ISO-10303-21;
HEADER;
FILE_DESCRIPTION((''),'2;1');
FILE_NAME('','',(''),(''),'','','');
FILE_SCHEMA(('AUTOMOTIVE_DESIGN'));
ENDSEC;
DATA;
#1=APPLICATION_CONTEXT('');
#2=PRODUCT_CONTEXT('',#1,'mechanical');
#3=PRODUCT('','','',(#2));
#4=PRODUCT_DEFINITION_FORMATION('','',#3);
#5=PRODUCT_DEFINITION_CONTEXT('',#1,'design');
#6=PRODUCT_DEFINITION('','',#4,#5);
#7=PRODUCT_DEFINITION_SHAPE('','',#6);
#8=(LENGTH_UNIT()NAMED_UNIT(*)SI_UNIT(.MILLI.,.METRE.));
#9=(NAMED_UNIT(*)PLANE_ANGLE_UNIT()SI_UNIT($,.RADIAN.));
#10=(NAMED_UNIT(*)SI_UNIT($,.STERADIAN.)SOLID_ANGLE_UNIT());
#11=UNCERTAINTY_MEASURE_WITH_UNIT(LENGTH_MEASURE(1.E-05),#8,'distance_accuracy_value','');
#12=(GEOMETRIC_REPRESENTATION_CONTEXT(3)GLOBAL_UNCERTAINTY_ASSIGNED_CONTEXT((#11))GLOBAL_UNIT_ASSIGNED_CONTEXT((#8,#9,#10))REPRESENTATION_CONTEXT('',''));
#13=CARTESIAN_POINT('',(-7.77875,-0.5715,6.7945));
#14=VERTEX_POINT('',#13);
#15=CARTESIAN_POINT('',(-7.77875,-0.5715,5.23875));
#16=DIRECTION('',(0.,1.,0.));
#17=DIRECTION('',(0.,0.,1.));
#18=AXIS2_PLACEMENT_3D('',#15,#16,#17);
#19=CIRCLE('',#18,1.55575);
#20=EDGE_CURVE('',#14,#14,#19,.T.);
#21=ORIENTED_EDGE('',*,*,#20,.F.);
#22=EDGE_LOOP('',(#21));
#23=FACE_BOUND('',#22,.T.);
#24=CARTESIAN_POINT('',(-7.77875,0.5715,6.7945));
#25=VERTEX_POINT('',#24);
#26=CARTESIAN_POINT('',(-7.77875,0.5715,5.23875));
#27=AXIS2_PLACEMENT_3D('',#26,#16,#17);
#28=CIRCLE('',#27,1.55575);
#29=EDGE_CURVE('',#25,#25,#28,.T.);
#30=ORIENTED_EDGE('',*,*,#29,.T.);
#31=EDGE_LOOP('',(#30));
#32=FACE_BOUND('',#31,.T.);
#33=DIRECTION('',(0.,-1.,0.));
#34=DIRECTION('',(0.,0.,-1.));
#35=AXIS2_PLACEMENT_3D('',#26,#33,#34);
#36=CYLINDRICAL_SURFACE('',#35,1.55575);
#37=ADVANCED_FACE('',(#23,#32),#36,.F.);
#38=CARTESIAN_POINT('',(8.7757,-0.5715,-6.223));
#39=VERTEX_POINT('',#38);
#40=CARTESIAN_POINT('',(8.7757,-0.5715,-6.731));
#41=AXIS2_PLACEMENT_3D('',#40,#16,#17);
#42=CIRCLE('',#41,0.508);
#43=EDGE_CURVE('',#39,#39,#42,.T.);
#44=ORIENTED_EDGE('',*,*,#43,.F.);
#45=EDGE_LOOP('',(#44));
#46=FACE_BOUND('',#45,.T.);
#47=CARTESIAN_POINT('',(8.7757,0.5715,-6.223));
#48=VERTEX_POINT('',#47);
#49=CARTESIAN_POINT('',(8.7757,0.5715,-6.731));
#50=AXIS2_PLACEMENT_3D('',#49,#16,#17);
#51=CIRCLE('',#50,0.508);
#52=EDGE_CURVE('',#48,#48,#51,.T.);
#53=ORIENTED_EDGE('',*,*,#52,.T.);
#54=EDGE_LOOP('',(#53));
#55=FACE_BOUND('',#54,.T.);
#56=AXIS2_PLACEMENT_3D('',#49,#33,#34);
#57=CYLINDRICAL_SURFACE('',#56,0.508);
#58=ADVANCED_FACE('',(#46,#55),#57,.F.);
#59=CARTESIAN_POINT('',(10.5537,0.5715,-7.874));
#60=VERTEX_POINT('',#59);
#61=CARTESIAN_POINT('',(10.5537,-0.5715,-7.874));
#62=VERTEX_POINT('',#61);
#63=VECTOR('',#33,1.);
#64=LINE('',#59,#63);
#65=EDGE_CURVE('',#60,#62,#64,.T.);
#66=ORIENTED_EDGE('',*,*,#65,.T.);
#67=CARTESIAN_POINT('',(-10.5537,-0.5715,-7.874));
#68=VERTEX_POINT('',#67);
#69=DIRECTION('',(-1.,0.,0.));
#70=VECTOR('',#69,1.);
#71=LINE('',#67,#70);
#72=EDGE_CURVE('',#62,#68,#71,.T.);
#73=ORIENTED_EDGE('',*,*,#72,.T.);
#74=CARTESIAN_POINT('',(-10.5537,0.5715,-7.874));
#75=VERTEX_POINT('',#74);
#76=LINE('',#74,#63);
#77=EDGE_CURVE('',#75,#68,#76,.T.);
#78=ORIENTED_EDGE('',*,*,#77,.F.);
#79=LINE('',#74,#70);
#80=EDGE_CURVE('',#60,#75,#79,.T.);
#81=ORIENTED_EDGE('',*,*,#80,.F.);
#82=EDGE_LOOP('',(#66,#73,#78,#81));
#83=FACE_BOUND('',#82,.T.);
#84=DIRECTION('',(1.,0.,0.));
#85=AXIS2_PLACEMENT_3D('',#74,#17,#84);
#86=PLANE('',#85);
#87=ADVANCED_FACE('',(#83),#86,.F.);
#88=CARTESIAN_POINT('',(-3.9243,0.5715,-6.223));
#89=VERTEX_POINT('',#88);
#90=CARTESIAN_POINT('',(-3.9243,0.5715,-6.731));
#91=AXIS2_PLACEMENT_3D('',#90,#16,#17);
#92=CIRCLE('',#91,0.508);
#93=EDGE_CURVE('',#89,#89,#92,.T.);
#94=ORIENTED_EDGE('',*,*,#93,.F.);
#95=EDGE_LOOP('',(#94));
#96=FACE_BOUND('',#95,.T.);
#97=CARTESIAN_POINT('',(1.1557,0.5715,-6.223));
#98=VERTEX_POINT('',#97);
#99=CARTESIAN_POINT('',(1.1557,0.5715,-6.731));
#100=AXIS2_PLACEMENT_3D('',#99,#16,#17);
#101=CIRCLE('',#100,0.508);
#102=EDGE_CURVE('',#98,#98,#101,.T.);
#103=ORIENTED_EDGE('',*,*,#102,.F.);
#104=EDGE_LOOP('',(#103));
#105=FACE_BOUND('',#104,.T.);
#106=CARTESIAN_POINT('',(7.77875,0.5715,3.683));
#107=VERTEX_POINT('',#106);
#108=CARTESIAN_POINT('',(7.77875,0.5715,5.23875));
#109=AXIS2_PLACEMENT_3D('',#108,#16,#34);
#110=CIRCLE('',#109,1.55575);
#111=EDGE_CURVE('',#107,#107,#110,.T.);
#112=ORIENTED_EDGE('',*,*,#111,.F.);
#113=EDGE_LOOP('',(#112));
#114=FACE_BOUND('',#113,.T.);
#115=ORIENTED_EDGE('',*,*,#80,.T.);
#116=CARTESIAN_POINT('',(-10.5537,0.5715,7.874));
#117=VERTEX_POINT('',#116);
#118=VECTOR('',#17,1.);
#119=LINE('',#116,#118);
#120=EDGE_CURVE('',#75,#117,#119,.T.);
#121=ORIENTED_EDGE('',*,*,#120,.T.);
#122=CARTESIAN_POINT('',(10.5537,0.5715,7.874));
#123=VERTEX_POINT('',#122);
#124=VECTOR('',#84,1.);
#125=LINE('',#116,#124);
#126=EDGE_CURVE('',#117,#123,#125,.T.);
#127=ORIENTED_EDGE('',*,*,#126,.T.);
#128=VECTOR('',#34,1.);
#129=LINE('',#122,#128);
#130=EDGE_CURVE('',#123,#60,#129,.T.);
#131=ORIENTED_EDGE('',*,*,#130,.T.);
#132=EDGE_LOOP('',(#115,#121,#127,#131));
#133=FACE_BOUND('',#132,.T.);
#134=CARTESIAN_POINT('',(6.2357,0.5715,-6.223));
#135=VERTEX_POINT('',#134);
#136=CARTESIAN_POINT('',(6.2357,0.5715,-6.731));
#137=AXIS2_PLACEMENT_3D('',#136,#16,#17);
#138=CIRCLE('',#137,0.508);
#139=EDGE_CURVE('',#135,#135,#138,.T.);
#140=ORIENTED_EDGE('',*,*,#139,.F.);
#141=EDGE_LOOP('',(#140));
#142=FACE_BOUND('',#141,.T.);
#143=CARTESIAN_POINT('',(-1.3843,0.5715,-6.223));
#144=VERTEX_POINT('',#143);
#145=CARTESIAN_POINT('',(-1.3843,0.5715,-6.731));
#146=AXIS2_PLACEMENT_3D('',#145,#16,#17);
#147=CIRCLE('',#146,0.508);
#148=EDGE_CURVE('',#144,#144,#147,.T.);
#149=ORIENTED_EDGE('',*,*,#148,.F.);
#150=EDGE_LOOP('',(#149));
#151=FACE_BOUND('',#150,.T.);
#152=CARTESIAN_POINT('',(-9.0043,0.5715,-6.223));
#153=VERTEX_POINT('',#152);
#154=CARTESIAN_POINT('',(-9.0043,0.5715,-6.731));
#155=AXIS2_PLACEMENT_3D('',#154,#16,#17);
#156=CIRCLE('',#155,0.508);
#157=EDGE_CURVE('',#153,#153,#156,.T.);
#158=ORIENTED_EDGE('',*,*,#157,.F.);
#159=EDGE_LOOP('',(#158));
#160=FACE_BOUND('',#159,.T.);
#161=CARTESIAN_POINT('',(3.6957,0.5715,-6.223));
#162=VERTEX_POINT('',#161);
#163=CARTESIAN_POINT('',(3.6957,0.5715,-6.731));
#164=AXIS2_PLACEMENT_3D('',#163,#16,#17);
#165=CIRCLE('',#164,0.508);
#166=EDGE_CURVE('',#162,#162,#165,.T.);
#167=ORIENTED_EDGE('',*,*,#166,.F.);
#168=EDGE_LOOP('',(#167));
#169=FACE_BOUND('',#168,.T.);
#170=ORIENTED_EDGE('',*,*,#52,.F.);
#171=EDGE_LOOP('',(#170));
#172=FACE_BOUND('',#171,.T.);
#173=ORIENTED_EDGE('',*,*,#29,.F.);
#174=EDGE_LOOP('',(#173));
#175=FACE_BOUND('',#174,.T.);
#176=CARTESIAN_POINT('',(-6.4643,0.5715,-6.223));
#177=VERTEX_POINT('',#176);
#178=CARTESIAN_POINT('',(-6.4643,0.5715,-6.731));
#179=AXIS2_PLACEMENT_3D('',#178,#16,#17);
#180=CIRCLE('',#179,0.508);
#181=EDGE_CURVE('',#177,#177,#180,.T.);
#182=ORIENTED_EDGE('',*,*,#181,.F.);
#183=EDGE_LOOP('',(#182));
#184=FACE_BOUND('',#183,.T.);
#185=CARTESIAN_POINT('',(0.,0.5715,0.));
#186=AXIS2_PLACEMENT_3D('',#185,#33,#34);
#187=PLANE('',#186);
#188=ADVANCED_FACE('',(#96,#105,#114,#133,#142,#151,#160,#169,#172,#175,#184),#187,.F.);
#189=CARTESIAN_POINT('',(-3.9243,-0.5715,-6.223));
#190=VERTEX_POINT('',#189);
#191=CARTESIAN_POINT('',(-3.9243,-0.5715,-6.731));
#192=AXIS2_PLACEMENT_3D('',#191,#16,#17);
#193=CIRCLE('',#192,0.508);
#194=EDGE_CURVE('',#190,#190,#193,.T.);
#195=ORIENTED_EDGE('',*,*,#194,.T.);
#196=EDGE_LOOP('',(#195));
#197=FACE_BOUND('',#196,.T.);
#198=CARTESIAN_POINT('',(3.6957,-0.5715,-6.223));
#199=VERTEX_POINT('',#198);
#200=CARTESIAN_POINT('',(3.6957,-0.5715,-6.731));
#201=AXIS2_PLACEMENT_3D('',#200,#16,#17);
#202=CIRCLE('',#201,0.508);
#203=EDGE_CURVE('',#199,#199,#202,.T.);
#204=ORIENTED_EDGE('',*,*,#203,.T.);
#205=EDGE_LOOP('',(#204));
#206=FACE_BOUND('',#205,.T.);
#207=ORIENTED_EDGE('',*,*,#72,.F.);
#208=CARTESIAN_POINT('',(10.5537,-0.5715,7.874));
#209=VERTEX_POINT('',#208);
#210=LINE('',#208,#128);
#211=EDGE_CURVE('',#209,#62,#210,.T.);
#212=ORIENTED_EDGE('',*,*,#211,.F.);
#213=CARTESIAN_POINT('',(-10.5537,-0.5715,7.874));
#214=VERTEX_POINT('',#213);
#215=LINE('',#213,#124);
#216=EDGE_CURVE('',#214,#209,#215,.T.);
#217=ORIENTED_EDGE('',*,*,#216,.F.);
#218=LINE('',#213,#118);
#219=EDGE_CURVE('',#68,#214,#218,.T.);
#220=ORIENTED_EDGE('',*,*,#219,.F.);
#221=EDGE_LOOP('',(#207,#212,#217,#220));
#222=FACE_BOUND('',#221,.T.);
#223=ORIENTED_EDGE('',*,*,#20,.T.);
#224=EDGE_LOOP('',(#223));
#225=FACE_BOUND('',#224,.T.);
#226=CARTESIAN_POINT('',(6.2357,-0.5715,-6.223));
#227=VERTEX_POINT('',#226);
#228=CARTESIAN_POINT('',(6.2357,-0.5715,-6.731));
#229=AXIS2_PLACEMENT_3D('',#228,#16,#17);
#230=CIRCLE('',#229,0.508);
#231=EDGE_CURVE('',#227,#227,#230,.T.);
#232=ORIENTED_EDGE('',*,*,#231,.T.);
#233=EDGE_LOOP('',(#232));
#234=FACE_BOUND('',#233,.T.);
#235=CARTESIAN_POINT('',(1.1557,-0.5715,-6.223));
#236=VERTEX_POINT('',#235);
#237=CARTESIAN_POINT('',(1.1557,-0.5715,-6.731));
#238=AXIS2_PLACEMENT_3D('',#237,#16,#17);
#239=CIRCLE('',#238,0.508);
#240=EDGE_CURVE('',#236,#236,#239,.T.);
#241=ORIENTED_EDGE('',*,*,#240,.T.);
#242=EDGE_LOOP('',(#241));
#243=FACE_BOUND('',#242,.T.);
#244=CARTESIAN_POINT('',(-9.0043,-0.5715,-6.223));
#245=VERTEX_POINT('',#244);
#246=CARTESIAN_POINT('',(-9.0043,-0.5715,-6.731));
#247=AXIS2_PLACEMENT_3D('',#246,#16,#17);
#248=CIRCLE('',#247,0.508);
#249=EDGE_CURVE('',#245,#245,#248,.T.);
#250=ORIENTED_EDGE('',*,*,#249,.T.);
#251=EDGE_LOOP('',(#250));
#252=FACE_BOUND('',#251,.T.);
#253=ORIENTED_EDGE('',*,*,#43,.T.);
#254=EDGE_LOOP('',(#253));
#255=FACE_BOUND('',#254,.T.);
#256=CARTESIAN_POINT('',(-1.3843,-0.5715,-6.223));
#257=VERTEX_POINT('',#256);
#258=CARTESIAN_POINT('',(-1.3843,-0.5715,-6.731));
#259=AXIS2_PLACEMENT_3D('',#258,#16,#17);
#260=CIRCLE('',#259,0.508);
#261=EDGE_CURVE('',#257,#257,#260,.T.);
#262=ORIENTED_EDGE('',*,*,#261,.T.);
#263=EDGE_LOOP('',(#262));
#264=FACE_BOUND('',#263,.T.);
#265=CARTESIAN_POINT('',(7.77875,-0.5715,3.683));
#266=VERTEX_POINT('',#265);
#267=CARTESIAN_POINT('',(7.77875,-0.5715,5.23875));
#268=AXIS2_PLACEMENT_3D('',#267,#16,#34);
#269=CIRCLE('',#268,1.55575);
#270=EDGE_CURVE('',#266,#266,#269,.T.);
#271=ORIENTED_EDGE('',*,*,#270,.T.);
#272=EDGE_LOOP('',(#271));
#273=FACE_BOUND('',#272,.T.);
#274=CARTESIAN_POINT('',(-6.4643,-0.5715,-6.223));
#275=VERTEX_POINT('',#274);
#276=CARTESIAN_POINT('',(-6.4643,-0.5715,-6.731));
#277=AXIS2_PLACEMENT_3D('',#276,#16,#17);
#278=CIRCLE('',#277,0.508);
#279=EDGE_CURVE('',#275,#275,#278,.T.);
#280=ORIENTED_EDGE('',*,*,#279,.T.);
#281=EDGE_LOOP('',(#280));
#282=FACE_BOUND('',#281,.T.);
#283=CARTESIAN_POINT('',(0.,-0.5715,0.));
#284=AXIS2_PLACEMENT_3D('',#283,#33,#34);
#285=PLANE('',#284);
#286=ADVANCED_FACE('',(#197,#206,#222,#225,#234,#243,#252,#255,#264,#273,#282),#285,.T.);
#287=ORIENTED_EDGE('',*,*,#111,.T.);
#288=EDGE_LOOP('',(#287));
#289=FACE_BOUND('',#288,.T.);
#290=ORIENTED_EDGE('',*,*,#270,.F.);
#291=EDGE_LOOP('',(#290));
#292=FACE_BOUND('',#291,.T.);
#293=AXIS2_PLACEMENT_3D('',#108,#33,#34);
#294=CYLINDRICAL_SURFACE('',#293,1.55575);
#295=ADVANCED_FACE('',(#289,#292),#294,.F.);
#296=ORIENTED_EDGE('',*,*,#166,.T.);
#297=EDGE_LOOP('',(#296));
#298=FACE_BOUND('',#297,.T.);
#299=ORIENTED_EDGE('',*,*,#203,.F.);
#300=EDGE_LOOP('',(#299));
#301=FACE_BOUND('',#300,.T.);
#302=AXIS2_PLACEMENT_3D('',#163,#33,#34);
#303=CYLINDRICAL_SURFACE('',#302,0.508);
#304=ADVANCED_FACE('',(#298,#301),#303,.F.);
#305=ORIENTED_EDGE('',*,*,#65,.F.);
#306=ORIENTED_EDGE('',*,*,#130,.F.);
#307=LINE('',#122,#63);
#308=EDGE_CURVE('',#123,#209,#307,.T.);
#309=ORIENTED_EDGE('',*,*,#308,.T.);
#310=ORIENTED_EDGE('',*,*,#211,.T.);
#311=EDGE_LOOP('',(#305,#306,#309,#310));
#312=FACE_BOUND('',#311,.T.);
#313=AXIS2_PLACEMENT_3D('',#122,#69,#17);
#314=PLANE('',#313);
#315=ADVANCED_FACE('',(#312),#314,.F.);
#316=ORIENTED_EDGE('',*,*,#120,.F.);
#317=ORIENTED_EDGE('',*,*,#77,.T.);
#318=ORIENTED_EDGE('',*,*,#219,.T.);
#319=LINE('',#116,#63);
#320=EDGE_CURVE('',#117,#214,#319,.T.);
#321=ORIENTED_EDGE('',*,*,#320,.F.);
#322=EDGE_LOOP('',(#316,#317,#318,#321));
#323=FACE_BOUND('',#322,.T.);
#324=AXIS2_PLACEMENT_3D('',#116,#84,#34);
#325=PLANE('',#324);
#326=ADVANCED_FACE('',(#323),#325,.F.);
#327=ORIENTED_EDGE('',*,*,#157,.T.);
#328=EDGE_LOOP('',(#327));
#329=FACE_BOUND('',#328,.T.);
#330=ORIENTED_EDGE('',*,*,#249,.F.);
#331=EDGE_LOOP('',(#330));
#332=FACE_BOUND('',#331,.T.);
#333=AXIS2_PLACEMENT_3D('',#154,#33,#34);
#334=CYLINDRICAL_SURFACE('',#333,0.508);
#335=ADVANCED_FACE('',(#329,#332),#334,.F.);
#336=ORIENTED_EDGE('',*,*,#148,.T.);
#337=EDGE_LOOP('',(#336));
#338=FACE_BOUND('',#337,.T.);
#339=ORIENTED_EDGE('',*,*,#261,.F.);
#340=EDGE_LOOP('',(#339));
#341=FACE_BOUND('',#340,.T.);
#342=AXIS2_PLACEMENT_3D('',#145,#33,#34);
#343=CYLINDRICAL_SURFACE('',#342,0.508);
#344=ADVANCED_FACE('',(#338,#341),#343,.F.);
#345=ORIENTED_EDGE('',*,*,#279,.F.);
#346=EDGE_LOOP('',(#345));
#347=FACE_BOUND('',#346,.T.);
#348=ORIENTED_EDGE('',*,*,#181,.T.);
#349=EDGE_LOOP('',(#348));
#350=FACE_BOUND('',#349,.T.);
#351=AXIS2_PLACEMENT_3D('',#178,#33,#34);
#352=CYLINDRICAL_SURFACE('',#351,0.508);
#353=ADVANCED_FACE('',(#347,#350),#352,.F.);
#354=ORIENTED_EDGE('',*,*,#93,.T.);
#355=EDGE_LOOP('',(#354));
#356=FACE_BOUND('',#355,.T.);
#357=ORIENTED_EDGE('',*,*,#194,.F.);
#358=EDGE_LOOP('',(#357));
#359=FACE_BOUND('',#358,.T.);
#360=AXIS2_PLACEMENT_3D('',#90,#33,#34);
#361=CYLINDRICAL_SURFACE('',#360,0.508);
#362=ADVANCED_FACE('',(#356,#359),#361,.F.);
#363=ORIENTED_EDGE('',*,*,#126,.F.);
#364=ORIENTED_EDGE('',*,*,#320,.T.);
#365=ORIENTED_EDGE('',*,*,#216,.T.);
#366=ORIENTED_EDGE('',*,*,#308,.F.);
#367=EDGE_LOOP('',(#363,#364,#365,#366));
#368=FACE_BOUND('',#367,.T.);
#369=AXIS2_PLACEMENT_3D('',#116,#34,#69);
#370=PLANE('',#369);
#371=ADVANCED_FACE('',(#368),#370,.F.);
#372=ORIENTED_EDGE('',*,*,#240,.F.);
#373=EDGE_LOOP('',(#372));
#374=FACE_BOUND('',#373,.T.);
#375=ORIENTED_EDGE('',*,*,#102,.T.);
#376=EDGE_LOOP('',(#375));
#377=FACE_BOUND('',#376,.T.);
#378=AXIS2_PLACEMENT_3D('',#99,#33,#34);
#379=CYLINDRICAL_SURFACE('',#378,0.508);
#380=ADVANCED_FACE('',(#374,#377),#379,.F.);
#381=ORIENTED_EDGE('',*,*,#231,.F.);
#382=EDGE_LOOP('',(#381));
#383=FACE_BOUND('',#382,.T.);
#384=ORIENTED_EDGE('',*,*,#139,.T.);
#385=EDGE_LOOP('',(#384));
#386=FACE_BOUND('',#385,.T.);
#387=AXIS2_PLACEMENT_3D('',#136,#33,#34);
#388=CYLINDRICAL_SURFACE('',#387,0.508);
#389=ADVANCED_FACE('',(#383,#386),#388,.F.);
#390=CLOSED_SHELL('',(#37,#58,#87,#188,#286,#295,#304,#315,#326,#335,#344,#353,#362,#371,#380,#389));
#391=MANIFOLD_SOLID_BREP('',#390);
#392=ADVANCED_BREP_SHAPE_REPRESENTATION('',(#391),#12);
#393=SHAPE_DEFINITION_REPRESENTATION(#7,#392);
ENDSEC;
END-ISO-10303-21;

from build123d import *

# Parameters (mm, degrees)
SKETCH1_W           = 21.1074
SKETCH1_H           = 15.748
SKETCH1_R           = 1.55575
SKETCH1_R_2         = 0.508
BOSS_EXTRUDE1_DEPTH = 0.5715


with BuildPart() as part:
    # Sketch1 → Boss-Extrude1 (new body, symmetric)
    with BuildSketch(Plane(origin=(0, 0, 0), x_dir=(1, 0, 0), z_dir=(0, 1, 0))):
        Rectangle(SKETCH1_W, SKETCH1_H)
        with Locations((-7.77875, -5.23875)):
            Circle(SKETCH1_R, mode=Mode.SUBTRACT)
        with Locations((7.77875, -5.23875)):
            Circle(SKETCH1_R, mode=Mode.SUBTRACT)
        with Locations((-9.0043, 6.731)):
            Circle(SKETCH1_R_2, mode=Mode.SUBTRACT)
        with Locations((-6.4643, 6.731)):
            Circle(SKETCH1_R_2, mode=Mode.SUBTRACT)
        with Locations((-3.9243, 6.731)):
            Circle(SKETCH1_R_2, mode=Mode.SUBTRACT)
        with Locations((-1.3843, 6.731)):
            Circle(SKETCH1_R_2, mode=Mode.SUBTRACT)
        with Locations((1.1557, 6.731)):
            Circle(SKETCH1_R_2, mode=Mode.SUBTRACT)
        with Locations((3.6957, 6.731)):
            Circle(SKETCH1_R_2, mode=Mode.SUBTRACT)
        with Locations((6.2357, 6.731)):
            Circle(SKETCH1_R_2, mode=Mode.SUBTRACT)
        with Locations((8.7757, 6.731)):
            Circle(SKETCH1_R_2, mode=Mode.SUBTRACT)
    extrude(amount=BOSS_EXTRUDE1_DEPTH, both=True)


solid = part.part
